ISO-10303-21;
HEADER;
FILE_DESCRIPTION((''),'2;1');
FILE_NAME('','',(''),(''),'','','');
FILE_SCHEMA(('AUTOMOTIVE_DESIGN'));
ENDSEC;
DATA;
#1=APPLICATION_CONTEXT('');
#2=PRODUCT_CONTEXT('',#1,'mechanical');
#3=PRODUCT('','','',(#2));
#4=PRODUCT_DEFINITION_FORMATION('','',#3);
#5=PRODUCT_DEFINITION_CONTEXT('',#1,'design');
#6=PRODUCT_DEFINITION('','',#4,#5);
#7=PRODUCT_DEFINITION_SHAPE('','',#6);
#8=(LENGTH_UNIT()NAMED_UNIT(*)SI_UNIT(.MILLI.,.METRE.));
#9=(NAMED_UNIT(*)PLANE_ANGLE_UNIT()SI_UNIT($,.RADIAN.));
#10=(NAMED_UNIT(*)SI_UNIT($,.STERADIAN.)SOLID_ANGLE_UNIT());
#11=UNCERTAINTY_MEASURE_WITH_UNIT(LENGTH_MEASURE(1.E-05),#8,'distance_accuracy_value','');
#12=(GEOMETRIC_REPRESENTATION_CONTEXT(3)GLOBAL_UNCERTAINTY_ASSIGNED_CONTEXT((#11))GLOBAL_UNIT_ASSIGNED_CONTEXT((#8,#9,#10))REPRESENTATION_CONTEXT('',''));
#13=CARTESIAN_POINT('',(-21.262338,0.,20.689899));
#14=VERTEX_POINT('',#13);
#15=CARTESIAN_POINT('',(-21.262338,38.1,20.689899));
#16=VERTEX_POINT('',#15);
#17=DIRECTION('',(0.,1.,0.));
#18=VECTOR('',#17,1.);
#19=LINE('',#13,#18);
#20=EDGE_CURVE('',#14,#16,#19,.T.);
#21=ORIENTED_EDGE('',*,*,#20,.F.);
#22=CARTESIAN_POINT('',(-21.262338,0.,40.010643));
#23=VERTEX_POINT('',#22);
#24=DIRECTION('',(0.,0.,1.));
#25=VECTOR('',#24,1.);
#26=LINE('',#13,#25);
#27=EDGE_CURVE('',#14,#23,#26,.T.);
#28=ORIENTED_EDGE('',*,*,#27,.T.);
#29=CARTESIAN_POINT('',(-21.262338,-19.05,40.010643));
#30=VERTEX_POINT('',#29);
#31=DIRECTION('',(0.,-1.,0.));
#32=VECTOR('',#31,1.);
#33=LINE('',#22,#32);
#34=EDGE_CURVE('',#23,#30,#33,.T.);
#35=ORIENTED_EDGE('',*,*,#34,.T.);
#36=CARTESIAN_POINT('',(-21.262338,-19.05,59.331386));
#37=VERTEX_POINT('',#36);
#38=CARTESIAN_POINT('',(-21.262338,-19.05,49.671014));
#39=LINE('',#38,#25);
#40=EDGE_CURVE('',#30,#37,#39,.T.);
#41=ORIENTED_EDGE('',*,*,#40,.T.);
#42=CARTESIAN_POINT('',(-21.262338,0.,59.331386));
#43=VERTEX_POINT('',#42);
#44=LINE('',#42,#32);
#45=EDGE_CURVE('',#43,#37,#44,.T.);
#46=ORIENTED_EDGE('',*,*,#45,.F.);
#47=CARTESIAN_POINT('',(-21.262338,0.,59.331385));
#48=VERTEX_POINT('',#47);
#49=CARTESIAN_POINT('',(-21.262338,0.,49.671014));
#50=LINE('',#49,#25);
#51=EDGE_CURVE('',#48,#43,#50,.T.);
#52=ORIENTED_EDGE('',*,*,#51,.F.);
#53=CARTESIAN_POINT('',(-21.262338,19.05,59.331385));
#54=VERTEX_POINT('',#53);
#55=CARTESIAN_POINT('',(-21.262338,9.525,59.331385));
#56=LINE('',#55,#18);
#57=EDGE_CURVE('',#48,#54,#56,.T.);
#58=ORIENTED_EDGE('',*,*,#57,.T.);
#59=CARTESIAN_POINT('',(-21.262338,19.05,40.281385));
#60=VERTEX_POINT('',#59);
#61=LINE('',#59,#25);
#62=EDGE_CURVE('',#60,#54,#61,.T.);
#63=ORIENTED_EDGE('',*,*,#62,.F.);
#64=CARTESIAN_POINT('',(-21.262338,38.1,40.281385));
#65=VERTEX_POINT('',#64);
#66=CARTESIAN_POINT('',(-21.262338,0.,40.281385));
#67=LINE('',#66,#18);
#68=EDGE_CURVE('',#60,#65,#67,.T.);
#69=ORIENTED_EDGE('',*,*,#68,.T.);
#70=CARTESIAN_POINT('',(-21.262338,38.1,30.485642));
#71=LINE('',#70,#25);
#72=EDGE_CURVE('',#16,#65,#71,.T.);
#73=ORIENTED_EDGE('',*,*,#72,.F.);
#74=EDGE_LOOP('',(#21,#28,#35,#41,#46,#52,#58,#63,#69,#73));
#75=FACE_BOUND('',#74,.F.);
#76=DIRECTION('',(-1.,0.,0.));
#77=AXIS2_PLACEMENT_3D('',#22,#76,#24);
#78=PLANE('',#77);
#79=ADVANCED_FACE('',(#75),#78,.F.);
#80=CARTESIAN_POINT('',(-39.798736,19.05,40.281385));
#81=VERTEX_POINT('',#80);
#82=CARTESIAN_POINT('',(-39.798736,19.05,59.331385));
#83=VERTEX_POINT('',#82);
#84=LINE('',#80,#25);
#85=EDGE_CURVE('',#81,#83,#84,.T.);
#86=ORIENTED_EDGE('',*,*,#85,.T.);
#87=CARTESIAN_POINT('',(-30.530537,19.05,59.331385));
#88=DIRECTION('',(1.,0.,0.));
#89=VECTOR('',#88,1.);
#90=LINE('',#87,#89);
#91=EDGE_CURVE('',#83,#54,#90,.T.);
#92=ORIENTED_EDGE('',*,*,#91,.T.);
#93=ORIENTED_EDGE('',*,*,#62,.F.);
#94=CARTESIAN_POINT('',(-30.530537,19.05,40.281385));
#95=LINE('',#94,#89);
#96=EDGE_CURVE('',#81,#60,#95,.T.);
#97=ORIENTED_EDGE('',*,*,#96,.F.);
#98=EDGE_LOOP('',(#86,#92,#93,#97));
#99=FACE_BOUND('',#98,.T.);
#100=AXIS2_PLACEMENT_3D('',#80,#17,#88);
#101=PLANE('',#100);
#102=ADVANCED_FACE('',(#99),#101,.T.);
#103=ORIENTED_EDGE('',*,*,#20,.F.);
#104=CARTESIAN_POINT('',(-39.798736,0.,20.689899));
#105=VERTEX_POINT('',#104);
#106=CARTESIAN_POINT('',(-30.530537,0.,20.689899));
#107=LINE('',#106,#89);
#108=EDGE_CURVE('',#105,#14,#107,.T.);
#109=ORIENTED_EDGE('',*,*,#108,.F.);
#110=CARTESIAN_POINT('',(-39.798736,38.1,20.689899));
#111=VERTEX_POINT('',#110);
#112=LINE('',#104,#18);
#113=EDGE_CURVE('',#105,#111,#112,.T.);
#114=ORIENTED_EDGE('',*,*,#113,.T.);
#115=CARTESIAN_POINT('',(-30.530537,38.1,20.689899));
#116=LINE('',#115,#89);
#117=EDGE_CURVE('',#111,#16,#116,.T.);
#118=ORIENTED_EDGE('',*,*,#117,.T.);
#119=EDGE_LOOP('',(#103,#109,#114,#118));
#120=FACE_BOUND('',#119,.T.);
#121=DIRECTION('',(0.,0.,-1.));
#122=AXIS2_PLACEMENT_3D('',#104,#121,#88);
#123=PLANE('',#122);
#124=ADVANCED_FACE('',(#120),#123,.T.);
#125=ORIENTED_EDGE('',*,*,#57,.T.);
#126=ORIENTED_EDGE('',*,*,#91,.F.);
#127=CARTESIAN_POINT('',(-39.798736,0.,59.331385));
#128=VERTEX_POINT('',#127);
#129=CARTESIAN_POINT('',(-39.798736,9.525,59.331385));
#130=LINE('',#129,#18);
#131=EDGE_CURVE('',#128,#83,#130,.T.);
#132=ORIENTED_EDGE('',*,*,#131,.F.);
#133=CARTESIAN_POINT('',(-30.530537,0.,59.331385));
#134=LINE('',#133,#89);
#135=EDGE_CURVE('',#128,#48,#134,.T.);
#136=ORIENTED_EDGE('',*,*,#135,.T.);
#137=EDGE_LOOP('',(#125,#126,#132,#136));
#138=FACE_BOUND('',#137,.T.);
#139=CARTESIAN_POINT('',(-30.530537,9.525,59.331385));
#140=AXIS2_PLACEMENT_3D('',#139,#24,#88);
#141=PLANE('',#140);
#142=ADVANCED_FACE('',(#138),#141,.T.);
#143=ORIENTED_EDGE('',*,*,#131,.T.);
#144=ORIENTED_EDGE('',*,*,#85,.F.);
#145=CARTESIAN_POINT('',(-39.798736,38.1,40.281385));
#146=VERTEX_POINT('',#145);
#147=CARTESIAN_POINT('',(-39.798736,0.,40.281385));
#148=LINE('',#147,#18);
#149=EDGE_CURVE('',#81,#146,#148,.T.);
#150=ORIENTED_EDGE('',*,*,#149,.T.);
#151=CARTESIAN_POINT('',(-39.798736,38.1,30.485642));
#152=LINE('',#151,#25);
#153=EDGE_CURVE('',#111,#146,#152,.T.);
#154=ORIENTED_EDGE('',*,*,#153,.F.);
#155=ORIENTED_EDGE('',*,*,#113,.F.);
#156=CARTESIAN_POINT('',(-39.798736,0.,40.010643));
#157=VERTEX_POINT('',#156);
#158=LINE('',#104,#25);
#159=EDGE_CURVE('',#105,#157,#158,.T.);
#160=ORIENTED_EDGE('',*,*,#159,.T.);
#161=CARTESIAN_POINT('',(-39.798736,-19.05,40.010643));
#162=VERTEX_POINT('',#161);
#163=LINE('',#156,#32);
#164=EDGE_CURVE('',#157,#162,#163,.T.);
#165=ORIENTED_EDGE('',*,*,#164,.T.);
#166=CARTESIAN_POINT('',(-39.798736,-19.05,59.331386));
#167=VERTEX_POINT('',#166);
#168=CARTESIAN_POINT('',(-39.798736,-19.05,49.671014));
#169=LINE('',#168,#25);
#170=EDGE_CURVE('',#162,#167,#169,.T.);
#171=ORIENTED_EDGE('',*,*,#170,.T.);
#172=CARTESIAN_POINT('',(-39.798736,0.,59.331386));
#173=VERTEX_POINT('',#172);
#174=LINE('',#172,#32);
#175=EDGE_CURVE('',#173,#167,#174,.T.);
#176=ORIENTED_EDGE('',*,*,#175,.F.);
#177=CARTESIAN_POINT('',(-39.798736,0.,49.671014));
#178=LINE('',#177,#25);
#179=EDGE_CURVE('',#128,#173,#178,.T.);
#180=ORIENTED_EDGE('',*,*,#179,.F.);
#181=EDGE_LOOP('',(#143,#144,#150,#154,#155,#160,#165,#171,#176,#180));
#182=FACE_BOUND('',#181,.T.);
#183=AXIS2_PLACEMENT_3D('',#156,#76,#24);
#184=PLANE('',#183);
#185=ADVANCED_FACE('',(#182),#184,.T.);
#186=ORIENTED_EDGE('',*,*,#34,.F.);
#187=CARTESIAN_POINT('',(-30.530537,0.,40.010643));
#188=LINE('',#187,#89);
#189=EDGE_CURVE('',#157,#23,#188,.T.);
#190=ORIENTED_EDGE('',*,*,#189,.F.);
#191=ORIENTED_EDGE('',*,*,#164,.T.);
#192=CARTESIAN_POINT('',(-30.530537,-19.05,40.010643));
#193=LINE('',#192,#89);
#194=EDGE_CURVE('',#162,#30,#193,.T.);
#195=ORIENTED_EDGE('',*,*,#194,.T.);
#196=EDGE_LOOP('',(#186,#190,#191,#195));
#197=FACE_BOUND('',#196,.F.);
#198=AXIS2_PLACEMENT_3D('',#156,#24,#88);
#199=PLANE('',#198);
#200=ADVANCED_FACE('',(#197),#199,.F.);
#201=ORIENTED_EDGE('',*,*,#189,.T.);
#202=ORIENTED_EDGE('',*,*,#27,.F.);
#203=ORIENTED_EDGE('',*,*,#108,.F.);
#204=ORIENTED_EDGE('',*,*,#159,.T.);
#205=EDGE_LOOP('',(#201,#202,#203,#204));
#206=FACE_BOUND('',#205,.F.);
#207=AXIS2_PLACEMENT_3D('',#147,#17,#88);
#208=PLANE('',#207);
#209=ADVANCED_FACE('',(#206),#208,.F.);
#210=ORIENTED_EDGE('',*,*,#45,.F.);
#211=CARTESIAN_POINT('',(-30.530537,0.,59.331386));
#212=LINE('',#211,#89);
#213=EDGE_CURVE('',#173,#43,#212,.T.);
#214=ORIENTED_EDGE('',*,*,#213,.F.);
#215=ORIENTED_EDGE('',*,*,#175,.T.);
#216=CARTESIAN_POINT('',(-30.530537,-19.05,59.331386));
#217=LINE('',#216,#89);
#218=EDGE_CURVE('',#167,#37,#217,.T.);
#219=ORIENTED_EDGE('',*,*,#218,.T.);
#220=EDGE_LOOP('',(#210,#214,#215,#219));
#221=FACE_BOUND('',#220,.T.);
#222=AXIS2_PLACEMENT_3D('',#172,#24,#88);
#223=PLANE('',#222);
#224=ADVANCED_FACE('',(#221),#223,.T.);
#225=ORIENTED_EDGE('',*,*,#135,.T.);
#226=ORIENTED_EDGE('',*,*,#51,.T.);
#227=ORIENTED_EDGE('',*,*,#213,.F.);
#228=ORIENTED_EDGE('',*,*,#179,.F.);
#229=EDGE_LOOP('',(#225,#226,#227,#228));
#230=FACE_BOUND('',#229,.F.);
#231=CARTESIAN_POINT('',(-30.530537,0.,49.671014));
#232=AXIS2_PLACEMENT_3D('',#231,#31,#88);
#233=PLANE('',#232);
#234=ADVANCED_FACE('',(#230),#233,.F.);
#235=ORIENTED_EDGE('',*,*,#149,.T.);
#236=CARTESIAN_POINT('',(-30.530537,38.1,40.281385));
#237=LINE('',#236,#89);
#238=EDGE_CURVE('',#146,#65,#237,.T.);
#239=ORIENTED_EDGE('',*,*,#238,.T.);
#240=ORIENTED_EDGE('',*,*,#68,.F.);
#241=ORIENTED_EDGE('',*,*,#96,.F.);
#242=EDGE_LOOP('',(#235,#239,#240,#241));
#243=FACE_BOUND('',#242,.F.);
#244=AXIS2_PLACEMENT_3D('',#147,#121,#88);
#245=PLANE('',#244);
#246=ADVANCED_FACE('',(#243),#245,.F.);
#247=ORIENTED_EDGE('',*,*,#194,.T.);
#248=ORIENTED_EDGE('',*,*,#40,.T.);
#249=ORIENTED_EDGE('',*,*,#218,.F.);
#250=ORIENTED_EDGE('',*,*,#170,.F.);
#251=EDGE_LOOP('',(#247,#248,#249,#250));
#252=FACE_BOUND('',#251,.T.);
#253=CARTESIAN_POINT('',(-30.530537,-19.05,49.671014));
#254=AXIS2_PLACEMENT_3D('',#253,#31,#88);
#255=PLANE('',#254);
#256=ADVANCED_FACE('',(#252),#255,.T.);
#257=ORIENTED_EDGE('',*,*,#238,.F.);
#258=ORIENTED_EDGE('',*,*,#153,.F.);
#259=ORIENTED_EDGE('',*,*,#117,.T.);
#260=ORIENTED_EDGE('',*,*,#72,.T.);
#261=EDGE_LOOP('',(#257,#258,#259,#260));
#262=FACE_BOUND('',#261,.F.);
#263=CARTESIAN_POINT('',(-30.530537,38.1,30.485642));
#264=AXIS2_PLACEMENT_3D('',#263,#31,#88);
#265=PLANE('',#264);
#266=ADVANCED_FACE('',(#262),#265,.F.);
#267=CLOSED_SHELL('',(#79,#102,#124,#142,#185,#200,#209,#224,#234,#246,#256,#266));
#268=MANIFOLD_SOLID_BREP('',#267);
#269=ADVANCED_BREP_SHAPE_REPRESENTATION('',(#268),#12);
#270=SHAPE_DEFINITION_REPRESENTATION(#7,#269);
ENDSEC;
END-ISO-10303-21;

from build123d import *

# Parameters (mm, degrees)
F0_W     = 18.536399
F0_H     = 19.591486
F1_DEPTH = 38.1
F2_W     = 18.536399
F2_H     = 19.05
F3_DEPTH = 19.05
F4_W     = 18.536399
F4_H     = 19.320743
F5_DEPTH = 19.05


with BuildPart() as f1:
    # F0 (on Front) → F1 (new body)
    with BuildSketch(Plane.XZ):
        with Locations((-30.530537, 30.485642)):
            Rectangle(F0_W, F0_H)
    extrude(amount=-F1_DEPTH)

    # F2 (on face) → F3 (join)
    with BuildSketch(Plane.XY.offset(40.281385)):
        with Locations((-30.530537, 9.525)):
            Rectangle(F2_W, F2_H)
    extrude(amount=F3_DEPTH)

    # F4 (on face) → F5 (join)
    with BuildSketch(Plane.XZ):
        with Locations((-30.530537, 49.671014)):
            Rectangle(F4_W, F4_H)
    extrude(amount=F5_DEPTH)


solid = f1.part
